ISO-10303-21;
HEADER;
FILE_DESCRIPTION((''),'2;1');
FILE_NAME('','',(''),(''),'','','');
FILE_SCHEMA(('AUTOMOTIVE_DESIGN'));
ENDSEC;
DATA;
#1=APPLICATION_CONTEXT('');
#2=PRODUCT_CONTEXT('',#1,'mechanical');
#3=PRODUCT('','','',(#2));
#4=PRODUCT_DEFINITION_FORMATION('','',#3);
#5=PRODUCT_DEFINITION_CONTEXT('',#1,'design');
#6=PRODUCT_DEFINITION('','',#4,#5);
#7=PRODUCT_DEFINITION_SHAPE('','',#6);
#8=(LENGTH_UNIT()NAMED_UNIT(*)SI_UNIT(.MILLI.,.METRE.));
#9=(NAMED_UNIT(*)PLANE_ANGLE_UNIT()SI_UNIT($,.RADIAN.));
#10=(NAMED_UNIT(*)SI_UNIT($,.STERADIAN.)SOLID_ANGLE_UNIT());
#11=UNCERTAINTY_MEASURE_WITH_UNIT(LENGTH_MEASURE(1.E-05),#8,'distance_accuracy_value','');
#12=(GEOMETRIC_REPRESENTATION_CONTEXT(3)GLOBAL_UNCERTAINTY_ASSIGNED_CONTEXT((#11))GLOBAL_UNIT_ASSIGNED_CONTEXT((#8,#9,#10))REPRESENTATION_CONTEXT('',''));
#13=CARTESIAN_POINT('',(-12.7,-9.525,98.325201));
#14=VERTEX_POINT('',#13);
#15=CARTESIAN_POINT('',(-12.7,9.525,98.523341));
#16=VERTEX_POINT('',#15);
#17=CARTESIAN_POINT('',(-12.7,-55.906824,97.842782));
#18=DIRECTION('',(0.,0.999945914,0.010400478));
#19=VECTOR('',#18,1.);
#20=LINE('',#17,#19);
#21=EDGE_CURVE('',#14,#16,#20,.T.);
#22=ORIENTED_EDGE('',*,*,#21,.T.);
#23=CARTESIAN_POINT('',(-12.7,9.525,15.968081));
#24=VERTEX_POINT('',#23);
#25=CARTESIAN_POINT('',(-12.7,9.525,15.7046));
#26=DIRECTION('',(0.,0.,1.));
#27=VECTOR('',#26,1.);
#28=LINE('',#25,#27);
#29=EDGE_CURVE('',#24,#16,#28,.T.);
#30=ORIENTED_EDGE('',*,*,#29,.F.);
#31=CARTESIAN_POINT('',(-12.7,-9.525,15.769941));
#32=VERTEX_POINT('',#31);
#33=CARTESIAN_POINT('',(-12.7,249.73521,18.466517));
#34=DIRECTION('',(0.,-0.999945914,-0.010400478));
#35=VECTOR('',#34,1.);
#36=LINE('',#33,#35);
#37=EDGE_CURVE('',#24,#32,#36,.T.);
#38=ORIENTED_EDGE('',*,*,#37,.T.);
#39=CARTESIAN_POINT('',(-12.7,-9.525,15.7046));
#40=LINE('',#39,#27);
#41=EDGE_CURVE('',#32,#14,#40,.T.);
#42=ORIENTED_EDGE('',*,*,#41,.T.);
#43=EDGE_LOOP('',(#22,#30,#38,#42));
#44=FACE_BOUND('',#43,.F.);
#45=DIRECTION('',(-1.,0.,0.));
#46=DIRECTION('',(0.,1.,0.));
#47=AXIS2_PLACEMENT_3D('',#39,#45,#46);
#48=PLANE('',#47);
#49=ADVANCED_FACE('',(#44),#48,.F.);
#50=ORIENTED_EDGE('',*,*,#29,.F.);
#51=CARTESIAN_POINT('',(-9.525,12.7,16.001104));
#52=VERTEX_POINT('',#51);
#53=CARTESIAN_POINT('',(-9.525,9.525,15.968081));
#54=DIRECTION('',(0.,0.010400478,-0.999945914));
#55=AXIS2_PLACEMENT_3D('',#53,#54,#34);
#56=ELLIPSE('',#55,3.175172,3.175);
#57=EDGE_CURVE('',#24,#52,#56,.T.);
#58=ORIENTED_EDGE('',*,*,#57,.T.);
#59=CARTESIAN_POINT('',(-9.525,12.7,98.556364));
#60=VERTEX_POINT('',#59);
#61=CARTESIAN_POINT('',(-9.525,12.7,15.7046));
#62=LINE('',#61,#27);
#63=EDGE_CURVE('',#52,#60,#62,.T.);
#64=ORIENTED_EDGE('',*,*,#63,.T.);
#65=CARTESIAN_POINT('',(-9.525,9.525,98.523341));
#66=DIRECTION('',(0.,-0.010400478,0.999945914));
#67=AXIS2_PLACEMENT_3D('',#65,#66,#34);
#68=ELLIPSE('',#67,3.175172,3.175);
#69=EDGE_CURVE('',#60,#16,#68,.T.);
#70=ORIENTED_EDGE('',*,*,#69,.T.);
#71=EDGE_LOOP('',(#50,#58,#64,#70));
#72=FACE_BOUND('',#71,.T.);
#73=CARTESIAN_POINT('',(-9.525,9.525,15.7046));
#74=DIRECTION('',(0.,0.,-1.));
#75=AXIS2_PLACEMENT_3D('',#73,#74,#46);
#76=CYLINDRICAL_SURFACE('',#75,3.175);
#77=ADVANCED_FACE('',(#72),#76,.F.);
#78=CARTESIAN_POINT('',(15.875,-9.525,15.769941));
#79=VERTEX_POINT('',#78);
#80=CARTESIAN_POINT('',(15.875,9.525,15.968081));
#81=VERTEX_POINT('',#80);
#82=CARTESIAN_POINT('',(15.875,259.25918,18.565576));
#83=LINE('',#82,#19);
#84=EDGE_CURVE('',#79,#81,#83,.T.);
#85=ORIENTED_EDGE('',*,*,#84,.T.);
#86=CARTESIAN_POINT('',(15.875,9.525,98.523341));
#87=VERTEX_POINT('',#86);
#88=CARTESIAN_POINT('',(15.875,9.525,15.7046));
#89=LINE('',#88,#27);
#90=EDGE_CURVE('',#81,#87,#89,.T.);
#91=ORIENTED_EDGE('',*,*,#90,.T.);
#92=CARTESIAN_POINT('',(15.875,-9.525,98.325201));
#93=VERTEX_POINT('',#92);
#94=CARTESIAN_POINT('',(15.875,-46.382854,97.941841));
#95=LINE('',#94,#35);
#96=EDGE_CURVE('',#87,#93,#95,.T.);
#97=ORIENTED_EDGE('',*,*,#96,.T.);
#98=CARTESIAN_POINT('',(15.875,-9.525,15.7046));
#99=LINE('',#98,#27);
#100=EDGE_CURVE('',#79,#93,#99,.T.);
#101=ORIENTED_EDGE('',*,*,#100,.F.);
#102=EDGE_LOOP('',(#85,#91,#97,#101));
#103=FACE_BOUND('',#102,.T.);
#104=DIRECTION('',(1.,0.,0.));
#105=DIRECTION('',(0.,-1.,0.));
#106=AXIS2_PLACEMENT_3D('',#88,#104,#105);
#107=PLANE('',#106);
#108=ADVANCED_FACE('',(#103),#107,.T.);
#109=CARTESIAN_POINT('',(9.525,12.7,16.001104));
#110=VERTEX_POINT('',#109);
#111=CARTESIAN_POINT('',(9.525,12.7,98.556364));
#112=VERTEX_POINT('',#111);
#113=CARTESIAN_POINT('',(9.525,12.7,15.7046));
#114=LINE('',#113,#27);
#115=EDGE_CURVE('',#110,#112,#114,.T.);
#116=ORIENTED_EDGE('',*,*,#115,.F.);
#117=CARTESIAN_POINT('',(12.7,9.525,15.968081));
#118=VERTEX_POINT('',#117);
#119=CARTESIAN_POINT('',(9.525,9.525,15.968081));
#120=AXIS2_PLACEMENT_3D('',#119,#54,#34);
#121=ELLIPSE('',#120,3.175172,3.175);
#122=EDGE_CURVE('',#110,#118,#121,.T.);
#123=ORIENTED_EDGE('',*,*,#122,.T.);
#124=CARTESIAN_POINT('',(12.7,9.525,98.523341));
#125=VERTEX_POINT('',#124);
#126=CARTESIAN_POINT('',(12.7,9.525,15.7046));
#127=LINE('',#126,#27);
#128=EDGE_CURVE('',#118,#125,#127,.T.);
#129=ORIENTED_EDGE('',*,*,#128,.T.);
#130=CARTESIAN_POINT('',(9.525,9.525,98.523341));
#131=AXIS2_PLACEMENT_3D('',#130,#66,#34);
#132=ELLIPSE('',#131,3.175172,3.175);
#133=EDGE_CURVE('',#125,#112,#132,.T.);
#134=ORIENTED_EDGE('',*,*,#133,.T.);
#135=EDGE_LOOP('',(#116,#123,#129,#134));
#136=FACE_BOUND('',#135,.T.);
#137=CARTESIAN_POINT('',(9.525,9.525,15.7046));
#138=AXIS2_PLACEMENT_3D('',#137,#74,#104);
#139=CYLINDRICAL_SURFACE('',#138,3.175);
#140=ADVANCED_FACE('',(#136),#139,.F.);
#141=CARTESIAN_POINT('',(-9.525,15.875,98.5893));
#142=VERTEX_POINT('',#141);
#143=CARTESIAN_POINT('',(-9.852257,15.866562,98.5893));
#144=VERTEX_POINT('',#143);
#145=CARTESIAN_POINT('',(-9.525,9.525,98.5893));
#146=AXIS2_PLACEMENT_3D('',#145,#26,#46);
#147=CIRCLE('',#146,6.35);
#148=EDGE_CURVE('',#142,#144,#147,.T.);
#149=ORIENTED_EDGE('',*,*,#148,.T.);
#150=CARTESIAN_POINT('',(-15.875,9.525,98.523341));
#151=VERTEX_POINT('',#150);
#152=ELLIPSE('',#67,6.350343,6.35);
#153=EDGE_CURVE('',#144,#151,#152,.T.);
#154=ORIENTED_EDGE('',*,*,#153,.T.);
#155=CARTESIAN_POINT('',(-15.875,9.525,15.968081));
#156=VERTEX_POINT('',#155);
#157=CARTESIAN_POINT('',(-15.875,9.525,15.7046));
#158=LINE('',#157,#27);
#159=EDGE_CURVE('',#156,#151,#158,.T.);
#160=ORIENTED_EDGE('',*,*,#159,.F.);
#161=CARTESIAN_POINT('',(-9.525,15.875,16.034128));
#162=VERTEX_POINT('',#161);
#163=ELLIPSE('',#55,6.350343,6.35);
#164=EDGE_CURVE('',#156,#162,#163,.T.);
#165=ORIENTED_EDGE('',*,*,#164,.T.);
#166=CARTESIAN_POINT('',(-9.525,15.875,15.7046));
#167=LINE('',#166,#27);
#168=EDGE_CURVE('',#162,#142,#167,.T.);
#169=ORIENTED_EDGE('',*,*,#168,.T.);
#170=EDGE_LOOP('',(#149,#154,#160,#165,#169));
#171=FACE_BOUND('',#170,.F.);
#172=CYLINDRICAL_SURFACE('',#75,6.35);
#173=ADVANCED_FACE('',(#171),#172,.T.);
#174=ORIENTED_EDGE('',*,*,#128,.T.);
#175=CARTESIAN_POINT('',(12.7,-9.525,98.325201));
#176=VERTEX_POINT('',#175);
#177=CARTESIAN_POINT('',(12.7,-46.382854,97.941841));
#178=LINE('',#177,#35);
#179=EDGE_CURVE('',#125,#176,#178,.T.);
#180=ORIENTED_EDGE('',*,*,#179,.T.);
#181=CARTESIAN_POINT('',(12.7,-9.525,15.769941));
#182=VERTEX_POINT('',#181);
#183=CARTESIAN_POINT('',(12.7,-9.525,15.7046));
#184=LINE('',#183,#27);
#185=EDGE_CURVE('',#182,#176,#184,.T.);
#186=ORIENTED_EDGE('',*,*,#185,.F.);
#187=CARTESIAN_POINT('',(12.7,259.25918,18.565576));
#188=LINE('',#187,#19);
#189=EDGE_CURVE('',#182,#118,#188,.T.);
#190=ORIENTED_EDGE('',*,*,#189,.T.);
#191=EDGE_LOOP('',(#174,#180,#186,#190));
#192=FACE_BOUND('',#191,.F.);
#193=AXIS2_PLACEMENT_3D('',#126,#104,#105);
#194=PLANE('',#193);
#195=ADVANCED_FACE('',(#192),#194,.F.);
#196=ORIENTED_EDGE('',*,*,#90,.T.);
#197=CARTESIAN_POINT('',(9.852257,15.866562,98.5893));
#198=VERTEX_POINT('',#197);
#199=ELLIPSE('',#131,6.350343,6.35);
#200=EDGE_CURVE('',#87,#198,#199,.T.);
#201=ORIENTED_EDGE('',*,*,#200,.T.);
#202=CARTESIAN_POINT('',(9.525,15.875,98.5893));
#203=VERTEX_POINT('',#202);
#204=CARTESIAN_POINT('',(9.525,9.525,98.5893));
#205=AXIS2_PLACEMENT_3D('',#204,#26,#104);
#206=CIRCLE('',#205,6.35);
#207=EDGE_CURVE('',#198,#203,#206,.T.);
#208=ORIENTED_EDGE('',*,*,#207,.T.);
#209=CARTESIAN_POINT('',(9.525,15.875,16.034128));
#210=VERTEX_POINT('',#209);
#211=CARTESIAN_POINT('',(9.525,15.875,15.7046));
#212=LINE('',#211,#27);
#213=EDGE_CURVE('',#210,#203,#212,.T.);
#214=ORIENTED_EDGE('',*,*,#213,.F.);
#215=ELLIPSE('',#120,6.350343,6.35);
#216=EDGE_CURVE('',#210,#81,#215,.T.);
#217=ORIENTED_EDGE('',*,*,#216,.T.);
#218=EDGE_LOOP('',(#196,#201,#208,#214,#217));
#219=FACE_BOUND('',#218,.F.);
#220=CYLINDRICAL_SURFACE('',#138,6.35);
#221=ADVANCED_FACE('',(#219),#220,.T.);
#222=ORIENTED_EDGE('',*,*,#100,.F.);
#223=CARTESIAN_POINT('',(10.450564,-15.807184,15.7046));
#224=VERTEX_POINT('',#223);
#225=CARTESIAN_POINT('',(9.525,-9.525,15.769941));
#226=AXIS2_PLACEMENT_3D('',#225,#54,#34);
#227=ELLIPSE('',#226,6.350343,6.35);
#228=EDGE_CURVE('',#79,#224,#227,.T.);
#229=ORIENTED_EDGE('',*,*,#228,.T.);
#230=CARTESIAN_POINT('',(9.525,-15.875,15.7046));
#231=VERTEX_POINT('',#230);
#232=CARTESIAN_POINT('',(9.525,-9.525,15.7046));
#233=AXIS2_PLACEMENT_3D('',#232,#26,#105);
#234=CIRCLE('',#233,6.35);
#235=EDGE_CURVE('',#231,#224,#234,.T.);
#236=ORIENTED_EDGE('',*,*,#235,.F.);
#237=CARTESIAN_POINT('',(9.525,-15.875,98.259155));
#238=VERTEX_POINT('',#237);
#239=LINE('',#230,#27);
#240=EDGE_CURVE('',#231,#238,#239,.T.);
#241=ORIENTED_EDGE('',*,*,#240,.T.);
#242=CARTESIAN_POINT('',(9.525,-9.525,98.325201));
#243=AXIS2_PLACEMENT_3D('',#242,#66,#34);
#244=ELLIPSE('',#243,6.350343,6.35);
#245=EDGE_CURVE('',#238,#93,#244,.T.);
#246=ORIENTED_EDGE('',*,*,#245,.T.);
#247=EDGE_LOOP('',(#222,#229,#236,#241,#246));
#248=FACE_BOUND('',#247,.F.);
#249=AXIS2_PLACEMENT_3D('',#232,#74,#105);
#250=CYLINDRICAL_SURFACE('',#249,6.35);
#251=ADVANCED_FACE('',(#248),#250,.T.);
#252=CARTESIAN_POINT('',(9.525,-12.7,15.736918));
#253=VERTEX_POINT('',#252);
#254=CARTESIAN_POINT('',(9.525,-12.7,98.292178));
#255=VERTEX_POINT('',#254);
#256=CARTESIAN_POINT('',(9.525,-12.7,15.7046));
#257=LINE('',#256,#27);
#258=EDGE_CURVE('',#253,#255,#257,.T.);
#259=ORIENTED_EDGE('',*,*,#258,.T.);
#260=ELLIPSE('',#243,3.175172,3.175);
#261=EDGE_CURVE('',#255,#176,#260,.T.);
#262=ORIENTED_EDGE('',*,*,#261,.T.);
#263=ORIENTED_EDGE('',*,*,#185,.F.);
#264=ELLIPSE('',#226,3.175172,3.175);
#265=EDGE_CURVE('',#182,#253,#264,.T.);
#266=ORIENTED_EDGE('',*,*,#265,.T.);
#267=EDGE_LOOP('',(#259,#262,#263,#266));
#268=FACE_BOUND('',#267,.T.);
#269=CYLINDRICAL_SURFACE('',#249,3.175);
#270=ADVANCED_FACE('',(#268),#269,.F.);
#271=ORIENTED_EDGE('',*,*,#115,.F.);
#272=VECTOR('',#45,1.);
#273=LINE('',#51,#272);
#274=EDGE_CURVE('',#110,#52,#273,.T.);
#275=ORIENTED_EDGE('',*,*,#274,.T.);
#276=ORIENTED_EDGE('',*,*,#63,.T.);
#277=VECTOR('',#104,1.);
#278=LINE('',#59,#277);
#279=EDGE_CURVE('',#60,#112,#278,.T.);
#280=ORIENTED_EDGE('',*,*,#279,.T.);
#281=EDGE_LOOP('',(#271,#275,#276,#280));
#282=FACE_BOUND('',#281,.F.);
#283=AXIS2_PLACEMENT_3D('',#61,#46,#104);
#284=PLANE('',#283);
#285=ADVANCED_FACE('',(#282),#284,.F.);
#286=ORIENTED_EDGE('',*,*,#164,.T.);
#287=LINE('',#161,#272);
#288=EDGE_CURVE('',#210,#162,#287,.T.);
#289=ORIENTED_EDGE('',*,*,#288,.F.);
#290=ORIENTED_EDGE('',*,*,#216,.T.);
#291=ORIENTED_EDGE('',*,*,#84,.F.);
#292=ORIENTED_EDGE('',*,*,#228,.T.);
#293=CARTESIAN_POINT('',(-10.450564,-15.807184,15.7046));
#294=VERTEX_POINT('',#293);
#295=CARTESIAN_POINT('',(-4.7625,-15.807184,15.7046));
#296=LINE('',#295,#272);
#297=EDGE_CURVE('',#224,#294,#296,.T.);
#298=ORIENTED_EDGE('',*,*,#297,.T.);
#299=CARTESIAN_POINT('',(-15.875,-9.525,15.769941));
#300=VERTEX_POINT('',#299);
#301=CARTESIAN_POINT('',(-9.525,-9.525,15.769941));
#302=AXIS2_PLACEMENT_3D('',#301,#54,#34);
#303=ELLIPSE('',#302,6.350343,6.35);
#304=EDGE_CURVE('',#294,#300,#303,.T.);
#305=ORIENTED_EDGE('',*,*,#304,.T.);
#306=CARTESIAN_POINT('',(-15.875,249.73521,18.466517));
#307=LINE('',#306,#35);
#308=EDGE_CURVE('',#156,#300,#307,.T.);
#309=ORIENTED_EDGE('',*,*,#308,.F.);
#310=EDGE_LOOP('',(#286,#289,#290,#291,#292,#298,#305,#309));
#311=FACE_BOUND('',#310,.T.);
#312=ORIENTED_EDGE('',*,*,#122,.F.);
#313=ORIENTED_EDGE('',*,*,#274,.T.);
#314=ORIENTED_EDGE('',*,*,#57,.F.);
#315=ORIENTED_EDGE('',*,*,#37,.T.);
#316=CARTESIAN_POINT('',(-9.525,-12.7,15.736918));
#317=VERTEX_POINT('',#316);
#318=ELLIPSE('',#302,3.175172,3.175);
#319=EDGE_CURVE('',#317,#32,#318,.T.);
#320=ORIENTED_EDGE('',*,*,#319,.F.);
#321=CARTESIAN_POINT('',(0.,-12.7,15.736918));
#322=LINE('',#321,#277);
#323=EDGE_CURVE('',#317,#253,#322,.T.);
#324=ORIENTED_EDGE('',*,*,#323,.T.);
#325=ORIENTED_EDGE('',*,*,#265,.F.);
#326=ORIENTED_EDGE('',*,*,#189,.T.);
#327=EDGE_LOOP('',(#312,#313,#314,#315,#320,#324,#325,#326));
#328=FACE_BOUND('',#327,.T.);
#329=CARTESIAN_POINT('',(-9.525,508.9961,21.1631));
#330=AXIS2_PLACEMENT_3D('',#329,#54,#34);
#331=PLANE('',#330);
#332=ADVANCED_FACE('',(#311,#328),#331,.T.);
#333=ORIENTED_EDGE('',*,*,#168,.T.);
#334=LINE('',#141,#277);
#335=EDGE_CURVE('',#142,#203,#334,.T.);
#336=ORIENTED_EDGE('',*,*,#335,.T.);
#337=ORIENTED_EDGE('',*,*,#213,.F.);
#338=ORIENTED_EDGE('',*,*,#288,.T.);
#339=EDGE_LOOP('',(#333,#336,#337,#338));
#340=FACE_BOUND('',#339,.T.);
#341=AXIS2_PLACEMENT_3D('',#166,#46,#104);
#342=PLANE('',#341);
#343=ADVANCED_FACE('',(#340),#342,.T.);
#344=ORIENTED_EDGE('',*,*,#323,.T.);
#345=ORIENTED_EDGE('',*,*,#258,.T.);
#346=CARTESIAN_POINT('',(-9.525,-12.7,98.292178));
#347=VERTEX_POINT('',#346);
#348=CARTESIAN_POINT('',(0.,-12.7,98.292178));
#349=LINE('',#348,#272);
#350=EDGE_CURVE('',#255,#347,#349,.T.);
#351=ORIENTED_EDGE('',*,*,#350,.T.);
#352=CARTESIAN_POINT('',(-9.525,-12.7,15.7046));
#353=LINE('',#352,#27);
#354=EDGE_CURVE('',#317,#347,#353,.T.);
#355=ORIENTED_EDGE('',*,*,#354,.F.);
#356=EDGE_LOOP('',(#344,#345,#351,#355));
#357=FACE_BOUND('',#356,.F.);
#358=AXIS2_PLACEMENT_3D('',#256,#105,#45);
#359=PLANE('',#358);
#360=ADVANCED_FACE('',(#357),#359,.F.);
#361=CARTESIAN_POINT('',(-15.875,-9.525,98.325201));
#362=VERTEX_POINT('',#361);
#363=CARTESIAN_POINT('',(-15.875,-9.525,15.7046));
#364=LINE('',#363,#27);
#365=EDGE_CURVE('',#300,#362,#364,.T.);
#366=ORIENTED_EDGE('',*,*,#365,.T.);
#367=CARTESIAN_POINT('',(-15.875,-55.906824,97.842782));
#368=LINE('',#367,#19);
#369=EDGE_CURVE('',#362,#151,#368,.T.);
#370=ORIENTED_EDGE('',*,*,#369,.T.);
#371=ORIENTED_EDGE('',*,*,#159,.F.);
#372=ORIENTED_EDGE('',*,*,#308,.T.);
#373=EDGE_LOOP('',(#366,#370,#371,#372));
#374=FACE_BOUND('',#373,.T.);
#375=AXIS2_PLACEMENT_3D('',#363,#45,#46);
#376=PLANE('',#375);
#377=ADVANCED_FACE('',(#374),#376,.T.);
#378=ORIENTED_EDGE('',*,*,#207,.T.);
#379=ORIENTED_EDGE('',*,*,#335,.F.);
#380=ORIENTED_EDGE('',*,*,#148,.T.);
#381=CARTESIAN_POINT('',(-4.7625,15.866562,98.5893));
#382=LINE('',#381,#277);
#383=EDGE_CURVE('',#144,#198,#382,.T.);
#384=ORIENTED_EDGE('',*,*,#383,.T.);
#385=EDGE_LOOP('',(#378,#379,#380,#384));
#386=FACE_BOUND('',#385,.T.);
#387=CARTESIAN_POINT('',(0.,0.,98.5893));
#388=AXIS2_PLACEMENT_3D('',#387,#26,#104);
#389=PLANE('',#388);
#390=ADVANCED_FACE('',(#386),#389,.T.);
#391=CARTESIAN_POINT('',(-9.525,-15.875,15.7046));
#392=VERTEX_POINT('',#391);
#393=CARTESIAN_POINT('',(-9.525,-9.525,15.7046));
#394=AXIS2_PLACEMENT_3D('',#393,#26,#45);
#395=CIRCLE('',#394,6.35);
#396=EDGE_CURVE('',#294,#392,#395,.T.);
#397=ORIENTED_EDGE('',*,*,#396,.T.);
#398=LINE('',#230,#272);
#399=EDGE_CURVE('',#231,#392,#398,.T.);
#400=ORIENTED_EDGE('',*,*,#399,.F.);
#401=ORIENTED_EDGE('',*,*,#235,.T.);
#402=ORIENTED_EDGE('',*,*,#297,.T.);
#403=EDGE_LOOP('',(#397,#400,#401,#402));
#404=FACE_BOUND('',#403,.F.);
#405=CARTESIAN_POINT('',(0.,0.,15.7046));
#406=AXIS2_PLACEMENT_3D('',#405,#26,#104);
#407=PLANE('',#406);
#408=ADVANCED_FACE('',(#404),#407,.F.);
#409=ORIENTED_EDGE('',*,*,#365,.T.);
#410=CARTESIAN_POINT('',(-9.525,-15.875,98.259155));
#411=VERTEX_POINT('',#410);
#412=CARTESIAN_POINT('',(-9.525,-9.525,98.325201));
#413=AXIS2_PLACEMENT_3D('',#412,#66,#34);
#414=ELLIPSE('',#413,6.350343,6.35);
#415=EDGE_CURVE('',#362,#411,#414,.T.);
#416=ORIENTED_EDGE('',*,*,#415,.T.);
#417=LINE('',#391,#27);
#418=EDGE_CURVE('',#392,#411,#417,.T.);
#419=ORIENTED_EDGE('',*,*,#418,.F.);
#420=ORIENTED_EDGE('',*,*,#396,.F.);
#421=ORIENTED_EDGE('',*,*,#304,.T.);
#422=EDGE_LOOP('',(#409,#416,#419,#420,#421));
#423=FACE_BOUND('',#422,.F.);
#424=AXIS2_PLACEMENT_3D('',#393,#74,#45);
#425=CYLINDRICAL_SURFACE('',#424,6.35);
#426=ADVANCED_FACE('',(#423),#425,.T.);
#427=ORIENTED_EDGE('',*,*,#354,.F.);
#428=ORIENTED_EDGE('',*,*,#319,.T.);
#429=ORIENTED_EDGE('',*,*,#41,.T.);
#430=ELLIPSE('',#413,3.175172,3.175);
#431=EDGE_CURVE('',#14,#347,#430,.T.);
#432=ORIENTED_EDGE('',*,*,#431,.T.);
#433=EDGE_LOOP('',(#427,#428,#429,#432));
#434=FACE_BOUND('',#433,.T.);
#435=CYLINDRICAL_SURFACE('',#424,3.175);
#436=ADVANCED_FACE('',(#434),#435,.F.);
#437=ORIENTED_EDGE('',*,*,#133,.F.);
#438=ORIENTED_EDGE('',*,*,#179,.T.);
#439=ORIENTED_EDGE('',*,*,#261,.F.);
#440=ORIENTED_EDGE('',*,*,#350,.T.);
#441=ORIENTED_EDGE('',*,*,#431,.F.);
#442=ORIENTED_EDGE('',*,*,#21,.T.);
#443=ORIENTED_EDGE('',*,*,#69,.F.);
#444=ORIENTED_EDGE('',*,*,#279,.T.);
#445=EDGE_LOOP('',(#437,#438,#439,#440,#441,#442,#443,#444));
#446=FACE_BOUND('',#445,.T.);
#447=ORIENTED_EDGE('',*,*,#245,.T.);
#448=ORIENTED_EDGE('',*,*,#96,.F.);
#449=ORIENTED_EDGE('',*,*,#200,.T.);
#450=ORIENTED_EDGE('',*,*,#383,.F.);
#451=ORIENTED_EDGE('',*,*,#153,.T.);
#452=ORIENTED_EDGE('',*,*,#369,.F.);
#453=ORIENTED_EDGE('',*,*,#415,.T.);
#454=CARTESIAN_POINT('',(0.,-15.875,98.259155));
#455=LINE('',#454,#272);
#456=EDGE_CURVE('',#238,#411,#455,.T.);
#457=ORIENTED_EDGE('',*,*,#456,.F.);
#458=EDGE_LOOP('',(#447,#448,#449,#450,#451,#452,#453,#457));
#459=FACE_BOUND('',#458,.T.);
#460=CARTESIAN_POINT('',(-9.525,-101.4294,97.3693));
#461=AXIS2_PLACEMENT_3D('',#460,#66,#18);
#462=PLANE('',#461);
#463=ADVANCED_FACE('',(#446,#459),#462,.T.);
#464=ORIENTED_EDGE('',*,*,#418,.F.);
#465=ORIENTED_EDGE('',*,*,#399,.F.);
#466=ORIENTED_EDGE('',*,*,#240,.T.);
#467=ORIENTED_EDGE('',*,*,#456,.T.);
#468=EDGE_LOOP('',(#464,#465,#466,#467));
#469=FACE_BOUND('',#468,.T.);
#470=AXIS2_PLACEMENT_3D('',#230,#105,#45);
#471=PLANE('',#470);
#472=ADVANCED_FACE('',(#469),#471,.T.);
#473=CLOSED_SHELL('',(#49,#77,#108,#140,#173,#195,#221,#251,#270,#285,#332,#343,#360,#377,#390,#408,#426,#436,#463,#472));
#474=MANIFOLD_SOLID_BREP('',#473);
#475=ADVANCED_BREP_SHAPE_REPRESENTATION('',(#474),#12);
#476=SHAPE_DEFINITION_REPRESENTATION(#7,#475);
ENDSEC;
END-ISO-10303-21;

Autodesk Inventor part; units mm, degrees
ref_plane "Start plane" through (0, 0, 15.7046) normal (0, 0, 1) x (1, 0, 0)
ref_plane "End plane" through (0, 0, 98.5892) normal (0, 0, 1) x (1, 0, 0)
sketch "Sketch" plane through (0, 0, 0) normal (0, 0, 1) x (1, 0, 0)
  line L0 (-15.875, -9.525) -> (-15.875, 9.525)
  line L1 (-9.525, 15.875) -> (9.525, 15.875)
  line L2 (15.875, 9.525) -> (15.875, -9.525)
  line L3 (9.525, -15.875) -> (-9.525, -15.875)
  arc A0 (-15.875, -9.525) -> (-9.525, -15.875) centre (-9.525, -9.525) ccw
  arc A1 (-9.525, 15.875) -> (-15.875, 9.525) centre (-9.525, 9.525) ccw
  arc A2 (15.875, 9.525) -> (9.525, 15.875) centre (9.525, 9.525) ccw
  arc A3 (9.525, -15.875) -> (15.875, -9.525) centre (9.525, -9.525) ccw
  arc A4 (-9.525, 12.7) -> (-12.7, 9.525) centre (-9.525, 9.525) ccw
  line L4 (-9.525, 12.7) -> (9.525, 12.7)
  arc A5 (12.7, 9.525) -> (9.525, 12.7) centre (9.525, 9.525) ccw
  line L5 (12.7, 9.525) -> (12.7, -9.525)
  arc A6 (9.525, -12.7) -> (12.7, -9.525) centre (9.525, -9.525) ccw
  line L6 (9.525, -12.7) -> (-9.525, -12.7)
  arc A7 (-12.7, -9.525) -> (-9.525, -12.7) centre (-9.525, -9.525) ccw
  line L7 (-12.7, -9.525) -> (-12.7, 9.525)
  line L8 (0, 24.0662) -> (0, -24.0662) construction
  line L9 (-24.0662, 0) -> (24.0662, 0) construction
  dimension "d10" = 31.75
  dimension "d11" = 31.75
  dimension "d12" = 3.175
  dimension "d15" = 15.875
  dimension "d16" = 15.875
  dimension "d17" = 6.35
extrude "Body" add sketch "Sketch" along normal up to surface (82.8847 mm away) from surface at 15.7046
sketch "Sketch3" plane through (0, 0, 0) normal (0, 0, 1) x (1, 0, 0)
  line L0 (0, 0) -> (10, 0)
ref_plane "Work Plane3" through (0, 0, 0) normal (0, -1, 0) x (1, 0, 0)
sketch "Sketch4" plane through (0, 0, 0) normal (0, -1, 0) x (1, 0, 0)
  line L0 (-2, 15.7046) -> (12, 15.7046)
  line L1 (-2, 98.5892) -> (12, 98.5892)
  dimension "d19" = 82.8846
ref_plane "Work Plane4" through (-9.525, -101.4294, 97.3693) normal (0, -0.0104, 0.9999) x (1, 0, 0)
split "Split1" plane through (-9.525, -101.4294, 97.3693) removes the side toward (0, -0.0104, 0.9999)
ref_plane "Work Plane5" through (-9.525, 508.9961, 21.1631) normal (0, 0.0104, -0.9999) x (1, 0, 0)
split "Split2" plane through (-9.525, 508.9961, 21.1631) removes the side toward (0, 0.0104, -0.9999)
equation "\"d10\" = G_H"
equation "\"d11\" = G_W"
equation "\"d12\" = G_T"
equation "\"d15\" = 0.5 * d10"
equation "\"d16\" = 0.5 * d11"
equation "\"d17\" = G_IR"
equation "\"d3\" = G_L"
equation "\"G_W\" = 31.75"
equation "\"G_H\" = 31.75"
equation "\"G_T\" = 3.175"
equation "\"G_IR\" = 6.35"
equation "\"G_L\" = d19"
equation "\"G_OFFSET_START\" = -15.70458"
equation "\"G_OFFSET_END\" = -15.71076"
equation "\"d13\" = -G_OFFSET_START"
equation "\"d14\" = G_OFFSET_END + B_L"
equation "\"B_L\" = 114.3"
properties part number "AISC HSS - 1-1/4x1-1/4x1/8 - 3.263" material "Steel, Mild"
